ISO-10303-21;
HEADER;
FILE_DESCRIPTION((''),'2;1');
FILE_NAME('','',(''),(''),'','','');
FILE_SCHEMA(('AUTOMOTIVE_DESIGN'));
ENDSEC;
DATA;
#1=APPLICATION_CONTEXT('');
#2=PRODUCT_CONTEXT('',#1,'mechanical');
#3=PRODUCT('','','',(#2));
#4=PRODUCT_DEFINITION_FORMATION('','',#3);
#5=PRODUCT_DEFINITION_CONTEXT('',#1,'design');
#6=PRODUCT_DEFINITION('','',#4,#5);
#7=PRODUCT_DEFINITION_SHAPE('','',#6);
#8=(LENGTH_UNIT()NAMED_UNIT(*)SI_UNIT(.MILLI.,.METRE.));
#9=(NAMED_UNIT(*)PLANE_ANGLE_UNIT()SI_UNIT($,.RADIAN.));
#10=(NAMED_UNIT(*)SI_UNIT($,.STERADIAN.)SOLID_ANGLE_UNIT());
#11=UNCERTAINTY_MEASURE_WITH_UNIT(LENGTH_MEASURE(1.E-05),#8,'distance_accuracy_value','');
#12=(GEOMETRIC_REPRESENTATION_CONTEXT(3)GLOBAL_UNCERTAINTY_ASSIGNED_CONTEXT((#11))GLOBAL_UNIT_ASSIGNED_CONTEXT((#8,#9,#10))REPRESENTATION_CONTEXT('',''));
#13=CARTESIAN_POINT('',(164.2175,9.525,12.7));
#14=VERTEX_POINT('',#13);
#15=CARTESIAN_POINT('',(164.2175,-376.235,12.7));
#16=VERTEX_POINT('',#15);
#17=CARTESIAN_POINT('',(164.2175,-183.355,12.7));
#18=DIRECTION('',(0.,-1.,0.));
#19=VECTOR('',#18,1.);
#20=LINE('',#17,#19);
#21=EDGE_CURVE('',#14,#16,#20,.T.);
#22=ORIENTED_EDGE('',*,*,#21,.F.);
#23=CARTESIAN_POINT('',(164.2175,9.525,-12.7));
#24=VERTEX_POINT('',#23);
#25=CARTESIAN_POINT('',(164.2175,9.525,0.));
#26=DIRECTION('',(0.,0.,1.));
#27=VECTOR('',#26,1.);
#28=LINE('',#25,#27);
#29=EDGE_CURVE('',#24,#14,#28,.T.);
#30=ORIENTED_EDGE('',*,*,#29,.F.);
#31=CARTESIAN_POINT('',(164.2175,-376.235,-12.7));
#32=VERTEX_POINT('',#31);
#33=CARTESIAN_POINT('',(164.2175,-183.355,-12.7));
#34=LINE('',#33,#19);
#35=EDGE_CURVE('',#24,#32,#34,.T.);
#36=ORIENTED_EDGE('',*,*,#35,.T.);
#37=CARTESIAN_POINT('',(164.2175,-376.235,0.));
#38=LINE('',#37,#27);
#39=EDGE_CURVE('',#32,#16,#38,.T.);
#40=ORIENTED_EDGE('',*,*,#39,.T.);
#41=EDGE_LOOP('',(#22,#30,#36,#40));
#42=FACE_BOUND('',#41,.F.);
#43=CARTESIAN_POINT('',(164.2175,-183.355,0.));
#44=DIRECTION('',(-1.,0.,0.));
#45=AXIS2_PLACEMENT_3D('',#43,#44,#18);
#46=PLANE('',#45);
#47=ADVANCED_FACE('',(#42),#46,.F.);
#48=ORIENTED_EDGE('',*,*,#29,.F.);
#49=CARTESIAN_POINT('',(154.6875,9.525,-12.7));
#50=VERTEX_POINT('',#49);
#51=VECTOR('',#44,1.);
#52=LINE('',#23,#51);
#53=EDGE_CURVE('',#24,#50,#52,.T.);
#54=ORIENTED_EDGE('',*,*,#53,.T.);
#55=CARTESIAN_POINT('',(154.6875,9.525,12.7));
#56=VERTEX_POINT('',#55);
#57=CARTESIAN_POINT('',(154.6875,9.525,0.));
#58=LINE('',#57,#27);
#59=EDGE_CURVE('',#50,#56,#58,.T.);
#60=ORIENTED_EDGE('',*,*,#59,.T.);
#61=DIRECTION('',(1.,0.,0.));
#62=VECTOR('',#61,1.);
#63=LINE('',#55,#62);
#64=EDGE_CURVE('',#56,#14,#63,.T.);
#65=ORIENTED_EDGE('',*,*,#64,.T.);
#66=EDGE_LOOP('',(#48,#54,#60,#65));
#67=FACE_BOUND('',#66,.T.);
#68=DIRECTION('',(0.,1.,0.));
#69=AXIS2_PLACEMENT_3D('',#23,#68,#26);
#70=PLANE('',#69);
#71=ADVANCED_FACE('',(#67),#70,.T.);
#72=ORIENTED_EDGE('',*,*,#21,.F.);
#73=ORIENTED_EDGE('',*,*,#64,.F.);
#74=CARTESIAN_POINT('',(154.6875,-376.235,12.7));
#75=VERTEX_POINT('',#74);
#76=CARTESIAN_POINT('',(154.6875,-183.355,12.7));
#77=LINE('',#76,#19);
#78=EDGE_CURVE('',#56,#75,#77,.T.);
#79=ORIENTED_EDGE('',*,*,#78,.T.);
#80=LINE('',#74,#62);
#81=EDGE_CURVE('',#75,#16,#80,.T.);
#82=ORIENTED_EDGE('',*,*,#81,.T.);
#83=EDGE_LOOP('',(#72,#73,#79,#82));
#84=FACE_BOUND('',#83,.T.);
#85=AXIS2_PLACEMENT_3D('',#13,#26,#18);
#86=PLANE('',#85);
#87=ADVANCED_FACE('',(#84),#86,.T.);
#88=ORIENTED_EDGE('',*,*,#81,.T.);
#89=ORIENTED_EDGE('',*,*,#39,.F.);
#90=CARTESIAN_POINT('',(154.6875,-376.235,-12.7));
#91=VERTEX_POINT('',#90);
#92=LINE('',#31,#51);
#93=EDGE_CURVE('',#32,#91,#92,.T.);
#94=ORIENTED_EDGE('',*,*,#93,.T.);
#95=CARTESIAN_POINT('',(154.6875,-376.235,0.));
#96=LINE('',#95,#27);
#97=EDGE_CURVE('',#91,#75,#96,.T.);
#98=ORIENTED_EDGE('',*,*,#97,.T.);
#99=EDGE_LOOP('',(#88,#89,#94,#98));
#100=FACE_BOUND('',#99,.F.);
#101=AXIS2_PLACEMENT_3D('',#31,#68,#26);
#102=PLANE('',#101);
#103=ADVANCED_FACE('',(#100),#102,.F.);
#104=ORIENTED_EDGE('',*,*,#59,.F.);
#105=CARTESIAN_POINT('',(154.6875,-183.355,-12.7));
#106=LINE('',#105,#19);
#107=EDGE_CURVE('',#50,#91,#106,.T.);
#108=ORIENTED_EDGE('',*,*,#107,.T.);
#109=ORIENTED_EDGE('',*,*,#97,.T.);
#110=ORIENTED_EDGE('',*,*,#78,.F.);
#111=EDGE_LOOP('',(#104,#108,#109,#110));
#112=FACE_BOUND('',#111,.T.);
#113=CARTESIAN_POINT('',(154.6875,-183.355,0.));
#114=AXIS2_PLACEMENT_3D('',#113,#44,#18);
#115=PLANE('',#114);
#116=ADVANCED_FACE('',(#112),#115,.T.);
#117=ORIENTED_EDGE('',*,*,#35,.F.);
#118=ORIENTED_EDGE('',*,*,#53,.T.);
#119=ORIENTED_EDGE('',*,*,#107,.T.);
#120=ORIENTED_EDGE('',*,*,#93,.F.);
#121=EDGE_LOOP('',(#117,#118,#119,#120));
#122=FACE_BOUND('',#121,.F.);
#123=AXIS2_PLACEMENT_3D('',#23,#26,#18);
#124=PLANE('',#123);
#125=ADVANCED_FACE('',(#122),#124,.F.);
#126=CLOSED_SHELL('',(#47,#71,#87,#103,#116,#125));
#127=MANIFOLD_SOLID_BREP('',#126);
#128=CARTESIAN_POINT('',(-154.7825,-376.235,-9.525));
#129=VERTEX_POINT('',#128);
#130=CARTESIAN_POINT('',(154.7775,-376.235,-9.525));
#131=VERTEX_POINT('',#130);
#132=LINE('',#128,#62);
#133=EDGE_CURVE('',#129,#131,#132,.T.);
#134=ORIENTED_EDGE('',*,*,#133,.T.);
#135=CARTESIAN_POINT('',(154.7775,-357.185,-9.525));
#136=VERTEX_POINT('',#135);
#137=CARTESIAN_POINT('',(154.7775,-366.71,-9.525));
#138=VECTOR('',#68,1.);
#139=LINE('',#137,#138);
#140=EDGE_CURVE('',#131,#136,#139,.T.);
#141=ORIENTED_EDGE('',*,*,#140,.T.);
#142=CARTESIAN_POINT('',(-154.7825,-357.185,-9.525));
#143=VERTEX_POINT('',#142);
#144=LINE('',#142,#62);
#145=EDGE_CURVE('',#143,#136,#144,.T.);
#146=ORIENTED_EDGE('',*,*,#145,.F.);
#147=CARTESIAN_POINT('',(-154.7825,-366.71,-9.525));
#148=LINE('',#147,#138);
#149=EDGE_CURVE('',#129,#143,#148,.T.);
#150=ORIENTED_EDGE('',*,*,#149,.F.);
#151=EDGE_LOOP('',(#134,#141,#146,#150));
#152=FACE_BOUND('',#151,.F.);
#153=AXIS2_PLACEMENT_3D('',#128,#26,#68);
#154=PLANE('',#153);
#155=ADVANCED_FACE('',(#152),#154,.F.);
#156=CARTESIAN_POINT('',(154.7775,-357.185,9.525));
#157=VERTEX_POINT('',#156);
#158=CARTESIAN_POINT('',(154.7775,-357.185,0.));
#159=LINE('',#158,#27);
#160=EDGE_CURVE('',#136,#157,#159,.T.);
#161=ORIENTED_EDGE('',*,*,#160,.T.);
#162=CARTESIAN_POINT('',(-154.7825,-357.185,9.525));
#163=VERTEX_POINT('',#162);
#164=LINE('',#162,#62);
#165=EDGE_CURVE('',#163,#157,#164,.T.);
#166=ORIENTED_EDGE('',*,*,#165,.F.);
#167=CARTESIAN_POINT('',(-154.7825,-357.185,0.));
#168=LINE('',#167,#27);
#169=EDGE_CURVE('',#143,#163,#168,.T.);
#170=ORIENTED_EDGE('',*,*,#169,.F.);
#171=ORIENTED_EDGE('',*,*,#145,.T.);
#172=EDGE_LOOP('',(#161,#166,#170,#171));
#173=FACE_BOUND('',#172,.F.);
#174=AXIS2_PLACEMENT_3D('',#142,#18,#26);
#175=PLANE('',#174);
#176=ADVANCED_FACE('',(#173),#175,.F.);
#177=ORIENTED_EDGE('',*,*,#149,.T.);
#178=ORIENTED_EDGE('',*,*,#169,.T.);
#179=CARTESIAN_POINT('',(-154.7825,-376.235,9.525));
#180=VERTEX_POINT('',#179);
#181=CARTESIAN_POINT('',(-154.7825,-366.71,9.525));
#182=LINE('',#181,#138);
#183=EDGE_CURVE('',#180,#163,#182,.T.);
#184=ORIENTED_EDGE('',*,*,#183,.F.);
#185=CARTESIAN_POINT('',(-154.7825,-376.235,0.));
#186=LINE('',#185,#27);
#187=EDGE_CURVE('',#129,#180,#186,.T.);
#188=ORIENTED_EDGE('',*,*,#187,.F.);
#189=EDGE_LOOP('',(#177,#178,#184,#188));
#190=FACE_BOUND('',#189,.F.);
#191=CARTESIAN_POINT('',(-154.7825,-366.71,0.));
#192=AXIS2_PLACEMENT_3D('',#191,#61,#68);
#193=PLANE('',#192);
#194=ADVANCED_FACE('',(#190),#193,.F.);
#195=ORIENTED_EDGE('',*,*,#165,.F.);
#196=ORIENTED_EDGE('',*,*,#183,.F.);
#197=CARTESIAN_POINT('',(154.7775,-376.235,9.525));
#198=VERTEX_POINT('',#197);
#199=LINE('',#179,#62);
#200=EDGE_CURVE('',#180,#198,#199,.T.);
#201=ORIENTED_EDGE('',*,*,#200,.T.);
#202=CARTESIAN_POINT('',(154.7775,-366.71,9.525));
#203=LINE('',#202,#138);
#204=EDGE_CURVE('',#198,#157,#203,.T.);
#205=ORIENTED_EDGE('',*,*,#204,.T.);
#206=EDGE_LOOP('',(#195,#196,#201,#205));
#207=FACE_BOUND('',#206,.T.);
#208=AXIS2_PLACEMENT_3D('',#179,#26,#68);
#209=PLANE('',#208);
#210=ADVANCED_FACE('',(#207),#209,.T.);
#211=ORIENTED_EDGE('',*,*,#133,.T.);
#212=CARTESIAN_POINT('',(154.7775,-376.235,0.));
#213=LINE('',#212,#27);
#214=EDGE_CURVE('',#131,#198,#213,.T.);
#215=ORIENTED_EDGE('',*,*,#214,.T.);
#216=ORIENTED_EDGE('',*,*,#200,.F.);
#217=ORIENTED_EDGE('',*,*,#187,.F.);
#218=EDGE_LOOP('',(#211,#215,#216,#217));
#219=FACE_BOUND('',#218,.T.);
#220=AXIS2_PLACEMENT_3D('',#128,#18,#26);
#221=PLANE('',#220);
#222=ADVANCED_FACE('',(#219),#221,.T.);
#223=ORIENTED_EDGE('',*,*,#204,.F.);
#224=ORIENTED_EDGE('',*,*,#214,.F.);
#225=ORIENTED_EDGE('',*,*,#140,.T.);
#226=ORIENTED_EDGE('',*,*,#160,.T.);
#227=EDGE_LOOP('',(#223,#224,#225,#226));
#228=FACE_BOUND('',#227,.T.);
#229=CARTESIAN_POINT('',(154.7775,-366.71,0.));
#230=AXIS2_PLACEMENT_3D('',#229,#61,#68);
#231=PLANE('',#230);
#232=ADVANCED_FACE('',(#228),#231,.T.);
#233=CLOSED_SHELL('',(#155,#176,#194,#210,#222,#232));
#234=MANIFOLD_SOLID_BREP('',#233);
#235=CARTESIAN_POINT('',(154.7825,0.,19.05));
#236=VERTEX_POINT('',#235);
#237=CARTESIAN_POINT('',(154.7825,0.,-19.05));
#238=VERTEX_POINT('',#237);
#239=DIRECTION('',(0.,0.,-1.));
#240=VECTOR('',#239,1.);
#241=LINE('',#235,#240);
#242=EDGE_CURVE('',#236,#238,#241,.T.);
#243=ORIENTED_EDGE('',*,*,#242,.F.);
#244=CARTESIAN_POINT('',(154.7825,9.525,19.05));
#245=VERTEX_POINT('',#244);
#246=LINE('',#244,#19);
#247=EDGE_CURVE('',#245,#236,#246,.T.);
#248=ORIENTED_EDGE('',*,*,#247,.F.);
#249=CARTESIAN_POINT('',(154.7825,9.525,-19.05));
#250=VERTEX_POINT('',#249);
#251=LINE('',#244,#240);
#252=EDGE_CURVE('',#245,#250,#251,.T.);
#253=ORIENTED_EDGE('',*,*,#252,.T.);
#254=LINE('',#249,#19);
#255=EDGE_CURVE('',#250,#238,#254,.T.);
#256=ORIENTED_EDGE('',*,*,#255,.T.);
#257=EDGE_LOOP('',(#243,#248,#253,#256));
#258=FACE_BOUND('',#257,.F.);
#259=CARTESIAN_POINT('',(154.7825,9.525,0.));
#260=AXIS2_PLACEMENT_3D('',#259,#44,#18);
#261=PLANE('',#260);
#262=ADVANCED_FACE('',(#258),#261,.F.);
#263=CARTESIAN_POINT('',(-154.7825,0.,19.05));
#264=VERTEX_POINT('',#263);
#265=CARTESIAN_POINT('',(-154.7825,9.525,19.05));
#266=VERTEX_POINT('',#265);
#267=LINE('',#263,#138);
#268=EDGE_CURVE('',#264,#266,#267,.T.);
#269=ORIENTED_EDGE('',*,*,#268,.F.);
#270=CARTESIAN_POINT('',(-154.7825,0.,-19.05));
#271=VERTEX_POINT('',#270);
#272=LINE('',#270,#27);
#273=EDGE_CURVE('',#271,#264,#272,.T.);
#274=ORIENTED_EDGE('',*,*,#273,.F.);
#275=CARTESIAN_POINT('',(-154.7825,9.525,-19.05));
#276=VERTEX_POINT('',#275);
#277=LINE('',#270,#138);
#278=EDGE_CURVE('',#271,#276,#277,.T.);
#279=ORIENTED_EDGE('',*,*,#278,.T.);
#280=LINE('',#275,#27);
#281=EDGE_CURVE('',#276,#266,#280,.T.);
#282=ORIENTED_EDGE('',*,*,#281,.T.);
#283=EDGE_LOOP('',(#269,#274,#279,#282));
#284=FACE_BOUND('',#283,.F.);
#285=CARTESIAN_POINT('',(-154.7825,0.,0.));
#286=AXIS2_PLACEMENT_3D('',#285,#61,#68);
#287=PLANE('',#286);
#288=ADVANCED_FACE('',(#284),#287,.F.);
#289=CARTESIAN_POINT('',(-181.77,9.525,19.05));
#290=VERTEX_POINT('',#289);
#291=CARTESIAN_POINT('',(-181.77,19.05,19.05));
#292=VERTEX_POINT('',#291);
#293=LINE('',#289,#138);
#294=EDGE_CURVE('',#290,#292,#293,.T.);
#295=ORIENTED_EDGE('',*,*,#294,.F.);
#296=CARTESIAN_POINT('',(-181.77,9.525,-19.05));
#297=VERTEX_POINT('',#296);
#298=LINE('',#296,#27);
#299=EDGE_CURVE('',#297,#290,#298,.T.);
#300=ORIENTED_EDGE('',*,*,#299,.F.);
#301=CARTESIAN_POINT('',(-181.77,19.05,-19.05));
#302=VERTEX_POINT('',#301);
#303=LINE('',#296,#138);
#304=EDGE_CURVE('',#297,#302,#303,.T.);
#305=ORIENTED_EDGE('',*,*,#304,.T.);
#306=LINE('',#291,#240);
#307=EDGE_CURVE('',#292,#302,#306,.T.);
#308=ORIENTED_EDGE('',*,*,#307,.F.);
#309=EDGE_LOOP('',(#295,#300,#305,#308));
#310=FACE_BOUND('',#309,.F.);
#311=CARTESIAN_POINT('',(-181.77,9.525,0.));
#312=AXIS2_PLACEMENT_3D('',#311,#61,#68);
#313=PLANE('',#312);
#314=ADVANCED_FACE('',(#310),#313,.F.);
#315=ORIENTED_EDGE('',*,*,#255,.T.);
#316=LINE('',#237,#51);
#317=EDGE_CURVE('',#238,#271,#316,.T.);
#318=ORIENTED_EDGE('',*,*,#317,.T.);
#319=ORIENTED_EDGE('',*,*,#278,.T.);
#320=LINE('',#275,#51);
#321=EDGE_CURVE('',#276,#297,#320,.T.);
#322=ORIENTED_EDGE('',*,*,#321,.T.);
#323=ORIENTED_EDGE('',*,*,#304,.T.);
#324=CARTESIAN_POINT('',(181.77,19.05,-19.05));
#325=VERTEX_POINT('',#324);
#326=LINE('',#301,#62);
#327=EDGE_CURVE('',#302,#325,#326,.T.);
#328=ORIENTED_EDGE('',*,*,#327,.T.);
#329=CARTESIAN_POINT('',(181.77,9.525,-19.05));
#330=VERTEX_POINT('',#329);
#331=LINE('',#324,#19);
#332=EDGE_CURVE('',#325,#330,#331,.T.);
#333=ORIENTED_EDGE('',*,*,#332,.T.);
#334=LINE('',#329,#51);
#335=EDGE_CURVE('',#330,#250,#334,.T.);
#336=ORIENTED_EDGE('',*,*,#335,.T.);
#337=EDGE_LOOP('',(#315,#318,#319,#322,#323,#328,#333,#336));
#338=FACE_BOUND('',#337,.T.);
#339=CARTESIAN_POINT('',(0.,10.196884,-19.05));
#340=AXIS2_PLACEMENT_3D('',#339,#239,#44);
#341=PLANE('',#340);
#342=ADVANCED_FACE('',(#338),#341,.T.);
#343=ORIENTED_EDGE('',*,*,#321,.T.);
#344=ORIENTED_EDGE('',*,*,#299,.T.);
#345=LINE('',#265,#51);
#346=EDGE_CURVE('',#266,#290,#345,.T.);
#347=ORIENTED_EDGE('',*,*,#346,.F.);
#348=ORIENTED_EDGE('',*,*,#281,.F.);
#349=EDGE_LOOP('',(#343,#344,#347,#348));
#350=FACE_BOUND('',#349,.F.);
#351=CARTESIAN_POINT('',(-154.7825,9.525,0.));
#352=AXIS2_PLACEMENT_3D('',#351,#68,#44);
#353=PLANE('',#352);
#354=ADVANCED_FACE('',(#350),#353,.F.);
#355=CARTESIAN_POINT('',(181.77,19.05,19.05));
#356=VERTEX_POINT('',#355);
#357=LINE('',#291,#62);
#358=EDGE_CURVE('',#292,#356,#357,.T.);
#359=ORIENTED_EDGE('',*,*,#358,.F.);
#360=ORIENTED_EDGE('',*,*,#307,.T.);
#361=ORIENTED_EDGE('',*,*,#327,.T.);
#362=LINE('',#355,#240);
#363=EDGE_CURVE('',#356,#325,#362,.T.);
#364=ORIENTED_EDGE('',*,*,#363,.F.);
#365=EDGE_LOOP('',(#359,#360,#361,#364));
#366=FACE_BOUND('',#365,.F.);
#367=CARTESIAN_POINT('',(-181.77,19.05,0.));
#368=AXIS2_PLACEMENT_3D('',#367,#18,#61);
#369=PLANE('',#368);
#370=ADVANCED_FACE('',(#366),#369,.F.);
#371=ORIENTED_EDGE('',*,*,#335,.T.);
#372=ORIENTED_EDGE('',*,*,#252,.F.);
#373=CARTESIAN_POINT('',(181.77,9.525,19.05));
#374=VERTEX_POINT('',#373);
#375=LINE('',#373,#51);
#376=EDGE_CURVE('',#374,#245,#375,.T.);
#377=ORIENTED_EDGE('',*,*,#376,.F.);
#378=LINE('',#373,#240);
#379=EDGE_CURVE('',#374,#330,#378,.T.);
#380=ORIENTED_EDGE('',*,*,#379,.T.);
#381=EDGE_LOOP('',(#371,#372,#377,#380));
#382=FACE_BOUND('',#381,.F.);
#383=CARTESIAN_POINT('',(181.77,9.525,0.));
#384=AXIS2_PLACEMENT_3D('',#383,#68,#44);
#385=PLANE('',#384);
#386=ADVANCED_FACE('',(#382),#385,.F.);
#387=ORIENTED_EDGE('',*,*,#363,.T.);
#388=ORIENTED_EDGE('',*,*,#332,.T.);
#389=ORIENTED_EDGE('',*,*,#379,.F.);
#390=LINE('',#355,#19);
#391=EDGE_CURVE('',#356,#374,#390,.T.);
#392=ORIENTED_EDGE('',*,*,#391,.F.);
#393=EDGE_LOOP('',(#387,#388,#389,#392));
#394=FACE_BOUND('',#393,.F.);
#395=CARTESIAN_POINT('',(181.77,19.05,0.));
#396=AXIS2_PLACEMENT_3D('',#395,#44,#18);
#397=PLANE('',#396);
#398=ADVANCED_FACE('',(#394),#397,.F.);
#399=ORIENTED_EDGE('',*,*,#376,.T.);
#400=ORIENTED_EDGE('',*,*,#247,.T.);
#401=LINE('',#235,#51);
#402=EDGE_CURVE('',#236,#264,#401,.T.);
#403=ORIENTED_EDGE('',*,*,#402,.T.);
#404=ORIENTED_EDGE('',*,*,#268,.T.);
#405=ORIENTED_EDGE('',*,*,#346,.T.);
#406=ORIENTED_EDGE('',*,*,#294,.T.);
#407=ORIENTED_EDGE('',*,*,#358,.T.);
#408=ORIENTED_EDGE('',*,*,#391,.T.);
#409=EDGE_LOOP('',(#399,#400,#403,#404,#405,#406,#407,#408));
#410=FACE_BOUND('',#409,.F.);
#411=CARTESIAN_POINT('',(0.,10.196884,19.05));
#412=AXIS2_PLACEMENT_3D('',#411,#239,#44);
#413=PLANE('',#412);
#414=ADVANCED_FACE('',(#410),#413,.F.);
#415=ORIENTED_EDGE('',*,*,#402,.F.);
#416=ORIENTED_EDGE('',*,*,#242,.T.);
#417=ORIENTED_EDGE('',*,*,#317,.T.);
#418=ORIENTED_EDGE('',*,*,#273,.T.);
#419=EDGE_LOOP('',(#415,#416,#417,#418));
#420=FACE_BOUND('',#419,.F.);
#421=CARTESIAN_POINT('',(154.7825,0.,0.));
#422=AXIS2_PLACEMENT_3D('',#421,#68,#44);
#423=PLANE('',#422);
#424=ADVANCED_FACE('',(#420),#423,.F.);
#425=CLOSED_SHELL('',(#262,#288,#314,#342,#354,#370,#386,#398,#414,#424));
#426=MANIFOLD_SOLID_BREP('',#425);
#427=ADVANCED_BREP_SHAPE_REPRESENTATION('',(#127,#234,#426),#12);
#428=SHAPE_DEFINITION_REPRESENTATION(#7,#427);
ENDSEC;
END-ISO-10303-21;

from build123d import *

# Parameters (mm, degrees)
PAD_DEPTH    = 19.05
SKETCH004_W  = 19.05
SKETCH004_H  = 19.05
PAD006_DEPTH = 309.56
SKETCH001_W  = 385.76
SKETCH001_H  = 25.4
PAD001_DEPTH = 9.525
PAD002_DEPTH = 9.53


with BuildPart() as top_bar:
    # Sketch → Pad (new body, symmetric)
    with BuildSketch(Plane.XY):
        Polygon((-181.77, 9.525), (-181.77, 19.05), (181.77, 19.05), (181.77, 9.525), (154.7825, 9.525), (154.7825, 0), (-154.7825, 0), (-154.7825, 9.525), align=None)
    extrude(amount=PAD_DEPTH, both=True)


with BuildPart() as bottom_bar:
    # Sketch004 (on ShapeBinder) → Pad006 (new body)
    with BuildSketch(Plane.YZ.offset(-154.7825)):
        with Locations((-366.71, 0)):
            Rectangle(SKETCH004_W, SKETCH004_H)
    extrude(amount=PAD006_DEPTH)


with BuildPart() as right_bar:
    # Sketch001 (on ShapeBinder) → Pad001 (new body)
    with BuildSketch(Plane(origin=(-154.7825, 0, 0), x_dir=(0, -1, 0), z_dir=(-1, 0, 0))):
        with Locations((183.355, 0)):
            Rectangle(SKETCH001_W, SKETCH001_H)
    extrude(amount=PAD001_DEPTH)

    # Sketch001 (on ShapeBinder) → Pad002 (join)
    with BuildSketch(Plane(origin=(-154.7825, 0, 0), x_dir=(0, -1, 0), z_dir=(-1, 0, 0))):
        with Locations((183.355, 0)):
            Rectangle(SKETCH001_W, SKETCH001_H)
    extrude(amount=PAD002_DEPTH)


with BuildPart() as right_bar_1:
    # Body005 placement: moved
    add(right_bar.part.moved(Location((319, 0, 0))))


solid = Compound([top_bar.part, bottom_bar.part, right_bar_1.part])
